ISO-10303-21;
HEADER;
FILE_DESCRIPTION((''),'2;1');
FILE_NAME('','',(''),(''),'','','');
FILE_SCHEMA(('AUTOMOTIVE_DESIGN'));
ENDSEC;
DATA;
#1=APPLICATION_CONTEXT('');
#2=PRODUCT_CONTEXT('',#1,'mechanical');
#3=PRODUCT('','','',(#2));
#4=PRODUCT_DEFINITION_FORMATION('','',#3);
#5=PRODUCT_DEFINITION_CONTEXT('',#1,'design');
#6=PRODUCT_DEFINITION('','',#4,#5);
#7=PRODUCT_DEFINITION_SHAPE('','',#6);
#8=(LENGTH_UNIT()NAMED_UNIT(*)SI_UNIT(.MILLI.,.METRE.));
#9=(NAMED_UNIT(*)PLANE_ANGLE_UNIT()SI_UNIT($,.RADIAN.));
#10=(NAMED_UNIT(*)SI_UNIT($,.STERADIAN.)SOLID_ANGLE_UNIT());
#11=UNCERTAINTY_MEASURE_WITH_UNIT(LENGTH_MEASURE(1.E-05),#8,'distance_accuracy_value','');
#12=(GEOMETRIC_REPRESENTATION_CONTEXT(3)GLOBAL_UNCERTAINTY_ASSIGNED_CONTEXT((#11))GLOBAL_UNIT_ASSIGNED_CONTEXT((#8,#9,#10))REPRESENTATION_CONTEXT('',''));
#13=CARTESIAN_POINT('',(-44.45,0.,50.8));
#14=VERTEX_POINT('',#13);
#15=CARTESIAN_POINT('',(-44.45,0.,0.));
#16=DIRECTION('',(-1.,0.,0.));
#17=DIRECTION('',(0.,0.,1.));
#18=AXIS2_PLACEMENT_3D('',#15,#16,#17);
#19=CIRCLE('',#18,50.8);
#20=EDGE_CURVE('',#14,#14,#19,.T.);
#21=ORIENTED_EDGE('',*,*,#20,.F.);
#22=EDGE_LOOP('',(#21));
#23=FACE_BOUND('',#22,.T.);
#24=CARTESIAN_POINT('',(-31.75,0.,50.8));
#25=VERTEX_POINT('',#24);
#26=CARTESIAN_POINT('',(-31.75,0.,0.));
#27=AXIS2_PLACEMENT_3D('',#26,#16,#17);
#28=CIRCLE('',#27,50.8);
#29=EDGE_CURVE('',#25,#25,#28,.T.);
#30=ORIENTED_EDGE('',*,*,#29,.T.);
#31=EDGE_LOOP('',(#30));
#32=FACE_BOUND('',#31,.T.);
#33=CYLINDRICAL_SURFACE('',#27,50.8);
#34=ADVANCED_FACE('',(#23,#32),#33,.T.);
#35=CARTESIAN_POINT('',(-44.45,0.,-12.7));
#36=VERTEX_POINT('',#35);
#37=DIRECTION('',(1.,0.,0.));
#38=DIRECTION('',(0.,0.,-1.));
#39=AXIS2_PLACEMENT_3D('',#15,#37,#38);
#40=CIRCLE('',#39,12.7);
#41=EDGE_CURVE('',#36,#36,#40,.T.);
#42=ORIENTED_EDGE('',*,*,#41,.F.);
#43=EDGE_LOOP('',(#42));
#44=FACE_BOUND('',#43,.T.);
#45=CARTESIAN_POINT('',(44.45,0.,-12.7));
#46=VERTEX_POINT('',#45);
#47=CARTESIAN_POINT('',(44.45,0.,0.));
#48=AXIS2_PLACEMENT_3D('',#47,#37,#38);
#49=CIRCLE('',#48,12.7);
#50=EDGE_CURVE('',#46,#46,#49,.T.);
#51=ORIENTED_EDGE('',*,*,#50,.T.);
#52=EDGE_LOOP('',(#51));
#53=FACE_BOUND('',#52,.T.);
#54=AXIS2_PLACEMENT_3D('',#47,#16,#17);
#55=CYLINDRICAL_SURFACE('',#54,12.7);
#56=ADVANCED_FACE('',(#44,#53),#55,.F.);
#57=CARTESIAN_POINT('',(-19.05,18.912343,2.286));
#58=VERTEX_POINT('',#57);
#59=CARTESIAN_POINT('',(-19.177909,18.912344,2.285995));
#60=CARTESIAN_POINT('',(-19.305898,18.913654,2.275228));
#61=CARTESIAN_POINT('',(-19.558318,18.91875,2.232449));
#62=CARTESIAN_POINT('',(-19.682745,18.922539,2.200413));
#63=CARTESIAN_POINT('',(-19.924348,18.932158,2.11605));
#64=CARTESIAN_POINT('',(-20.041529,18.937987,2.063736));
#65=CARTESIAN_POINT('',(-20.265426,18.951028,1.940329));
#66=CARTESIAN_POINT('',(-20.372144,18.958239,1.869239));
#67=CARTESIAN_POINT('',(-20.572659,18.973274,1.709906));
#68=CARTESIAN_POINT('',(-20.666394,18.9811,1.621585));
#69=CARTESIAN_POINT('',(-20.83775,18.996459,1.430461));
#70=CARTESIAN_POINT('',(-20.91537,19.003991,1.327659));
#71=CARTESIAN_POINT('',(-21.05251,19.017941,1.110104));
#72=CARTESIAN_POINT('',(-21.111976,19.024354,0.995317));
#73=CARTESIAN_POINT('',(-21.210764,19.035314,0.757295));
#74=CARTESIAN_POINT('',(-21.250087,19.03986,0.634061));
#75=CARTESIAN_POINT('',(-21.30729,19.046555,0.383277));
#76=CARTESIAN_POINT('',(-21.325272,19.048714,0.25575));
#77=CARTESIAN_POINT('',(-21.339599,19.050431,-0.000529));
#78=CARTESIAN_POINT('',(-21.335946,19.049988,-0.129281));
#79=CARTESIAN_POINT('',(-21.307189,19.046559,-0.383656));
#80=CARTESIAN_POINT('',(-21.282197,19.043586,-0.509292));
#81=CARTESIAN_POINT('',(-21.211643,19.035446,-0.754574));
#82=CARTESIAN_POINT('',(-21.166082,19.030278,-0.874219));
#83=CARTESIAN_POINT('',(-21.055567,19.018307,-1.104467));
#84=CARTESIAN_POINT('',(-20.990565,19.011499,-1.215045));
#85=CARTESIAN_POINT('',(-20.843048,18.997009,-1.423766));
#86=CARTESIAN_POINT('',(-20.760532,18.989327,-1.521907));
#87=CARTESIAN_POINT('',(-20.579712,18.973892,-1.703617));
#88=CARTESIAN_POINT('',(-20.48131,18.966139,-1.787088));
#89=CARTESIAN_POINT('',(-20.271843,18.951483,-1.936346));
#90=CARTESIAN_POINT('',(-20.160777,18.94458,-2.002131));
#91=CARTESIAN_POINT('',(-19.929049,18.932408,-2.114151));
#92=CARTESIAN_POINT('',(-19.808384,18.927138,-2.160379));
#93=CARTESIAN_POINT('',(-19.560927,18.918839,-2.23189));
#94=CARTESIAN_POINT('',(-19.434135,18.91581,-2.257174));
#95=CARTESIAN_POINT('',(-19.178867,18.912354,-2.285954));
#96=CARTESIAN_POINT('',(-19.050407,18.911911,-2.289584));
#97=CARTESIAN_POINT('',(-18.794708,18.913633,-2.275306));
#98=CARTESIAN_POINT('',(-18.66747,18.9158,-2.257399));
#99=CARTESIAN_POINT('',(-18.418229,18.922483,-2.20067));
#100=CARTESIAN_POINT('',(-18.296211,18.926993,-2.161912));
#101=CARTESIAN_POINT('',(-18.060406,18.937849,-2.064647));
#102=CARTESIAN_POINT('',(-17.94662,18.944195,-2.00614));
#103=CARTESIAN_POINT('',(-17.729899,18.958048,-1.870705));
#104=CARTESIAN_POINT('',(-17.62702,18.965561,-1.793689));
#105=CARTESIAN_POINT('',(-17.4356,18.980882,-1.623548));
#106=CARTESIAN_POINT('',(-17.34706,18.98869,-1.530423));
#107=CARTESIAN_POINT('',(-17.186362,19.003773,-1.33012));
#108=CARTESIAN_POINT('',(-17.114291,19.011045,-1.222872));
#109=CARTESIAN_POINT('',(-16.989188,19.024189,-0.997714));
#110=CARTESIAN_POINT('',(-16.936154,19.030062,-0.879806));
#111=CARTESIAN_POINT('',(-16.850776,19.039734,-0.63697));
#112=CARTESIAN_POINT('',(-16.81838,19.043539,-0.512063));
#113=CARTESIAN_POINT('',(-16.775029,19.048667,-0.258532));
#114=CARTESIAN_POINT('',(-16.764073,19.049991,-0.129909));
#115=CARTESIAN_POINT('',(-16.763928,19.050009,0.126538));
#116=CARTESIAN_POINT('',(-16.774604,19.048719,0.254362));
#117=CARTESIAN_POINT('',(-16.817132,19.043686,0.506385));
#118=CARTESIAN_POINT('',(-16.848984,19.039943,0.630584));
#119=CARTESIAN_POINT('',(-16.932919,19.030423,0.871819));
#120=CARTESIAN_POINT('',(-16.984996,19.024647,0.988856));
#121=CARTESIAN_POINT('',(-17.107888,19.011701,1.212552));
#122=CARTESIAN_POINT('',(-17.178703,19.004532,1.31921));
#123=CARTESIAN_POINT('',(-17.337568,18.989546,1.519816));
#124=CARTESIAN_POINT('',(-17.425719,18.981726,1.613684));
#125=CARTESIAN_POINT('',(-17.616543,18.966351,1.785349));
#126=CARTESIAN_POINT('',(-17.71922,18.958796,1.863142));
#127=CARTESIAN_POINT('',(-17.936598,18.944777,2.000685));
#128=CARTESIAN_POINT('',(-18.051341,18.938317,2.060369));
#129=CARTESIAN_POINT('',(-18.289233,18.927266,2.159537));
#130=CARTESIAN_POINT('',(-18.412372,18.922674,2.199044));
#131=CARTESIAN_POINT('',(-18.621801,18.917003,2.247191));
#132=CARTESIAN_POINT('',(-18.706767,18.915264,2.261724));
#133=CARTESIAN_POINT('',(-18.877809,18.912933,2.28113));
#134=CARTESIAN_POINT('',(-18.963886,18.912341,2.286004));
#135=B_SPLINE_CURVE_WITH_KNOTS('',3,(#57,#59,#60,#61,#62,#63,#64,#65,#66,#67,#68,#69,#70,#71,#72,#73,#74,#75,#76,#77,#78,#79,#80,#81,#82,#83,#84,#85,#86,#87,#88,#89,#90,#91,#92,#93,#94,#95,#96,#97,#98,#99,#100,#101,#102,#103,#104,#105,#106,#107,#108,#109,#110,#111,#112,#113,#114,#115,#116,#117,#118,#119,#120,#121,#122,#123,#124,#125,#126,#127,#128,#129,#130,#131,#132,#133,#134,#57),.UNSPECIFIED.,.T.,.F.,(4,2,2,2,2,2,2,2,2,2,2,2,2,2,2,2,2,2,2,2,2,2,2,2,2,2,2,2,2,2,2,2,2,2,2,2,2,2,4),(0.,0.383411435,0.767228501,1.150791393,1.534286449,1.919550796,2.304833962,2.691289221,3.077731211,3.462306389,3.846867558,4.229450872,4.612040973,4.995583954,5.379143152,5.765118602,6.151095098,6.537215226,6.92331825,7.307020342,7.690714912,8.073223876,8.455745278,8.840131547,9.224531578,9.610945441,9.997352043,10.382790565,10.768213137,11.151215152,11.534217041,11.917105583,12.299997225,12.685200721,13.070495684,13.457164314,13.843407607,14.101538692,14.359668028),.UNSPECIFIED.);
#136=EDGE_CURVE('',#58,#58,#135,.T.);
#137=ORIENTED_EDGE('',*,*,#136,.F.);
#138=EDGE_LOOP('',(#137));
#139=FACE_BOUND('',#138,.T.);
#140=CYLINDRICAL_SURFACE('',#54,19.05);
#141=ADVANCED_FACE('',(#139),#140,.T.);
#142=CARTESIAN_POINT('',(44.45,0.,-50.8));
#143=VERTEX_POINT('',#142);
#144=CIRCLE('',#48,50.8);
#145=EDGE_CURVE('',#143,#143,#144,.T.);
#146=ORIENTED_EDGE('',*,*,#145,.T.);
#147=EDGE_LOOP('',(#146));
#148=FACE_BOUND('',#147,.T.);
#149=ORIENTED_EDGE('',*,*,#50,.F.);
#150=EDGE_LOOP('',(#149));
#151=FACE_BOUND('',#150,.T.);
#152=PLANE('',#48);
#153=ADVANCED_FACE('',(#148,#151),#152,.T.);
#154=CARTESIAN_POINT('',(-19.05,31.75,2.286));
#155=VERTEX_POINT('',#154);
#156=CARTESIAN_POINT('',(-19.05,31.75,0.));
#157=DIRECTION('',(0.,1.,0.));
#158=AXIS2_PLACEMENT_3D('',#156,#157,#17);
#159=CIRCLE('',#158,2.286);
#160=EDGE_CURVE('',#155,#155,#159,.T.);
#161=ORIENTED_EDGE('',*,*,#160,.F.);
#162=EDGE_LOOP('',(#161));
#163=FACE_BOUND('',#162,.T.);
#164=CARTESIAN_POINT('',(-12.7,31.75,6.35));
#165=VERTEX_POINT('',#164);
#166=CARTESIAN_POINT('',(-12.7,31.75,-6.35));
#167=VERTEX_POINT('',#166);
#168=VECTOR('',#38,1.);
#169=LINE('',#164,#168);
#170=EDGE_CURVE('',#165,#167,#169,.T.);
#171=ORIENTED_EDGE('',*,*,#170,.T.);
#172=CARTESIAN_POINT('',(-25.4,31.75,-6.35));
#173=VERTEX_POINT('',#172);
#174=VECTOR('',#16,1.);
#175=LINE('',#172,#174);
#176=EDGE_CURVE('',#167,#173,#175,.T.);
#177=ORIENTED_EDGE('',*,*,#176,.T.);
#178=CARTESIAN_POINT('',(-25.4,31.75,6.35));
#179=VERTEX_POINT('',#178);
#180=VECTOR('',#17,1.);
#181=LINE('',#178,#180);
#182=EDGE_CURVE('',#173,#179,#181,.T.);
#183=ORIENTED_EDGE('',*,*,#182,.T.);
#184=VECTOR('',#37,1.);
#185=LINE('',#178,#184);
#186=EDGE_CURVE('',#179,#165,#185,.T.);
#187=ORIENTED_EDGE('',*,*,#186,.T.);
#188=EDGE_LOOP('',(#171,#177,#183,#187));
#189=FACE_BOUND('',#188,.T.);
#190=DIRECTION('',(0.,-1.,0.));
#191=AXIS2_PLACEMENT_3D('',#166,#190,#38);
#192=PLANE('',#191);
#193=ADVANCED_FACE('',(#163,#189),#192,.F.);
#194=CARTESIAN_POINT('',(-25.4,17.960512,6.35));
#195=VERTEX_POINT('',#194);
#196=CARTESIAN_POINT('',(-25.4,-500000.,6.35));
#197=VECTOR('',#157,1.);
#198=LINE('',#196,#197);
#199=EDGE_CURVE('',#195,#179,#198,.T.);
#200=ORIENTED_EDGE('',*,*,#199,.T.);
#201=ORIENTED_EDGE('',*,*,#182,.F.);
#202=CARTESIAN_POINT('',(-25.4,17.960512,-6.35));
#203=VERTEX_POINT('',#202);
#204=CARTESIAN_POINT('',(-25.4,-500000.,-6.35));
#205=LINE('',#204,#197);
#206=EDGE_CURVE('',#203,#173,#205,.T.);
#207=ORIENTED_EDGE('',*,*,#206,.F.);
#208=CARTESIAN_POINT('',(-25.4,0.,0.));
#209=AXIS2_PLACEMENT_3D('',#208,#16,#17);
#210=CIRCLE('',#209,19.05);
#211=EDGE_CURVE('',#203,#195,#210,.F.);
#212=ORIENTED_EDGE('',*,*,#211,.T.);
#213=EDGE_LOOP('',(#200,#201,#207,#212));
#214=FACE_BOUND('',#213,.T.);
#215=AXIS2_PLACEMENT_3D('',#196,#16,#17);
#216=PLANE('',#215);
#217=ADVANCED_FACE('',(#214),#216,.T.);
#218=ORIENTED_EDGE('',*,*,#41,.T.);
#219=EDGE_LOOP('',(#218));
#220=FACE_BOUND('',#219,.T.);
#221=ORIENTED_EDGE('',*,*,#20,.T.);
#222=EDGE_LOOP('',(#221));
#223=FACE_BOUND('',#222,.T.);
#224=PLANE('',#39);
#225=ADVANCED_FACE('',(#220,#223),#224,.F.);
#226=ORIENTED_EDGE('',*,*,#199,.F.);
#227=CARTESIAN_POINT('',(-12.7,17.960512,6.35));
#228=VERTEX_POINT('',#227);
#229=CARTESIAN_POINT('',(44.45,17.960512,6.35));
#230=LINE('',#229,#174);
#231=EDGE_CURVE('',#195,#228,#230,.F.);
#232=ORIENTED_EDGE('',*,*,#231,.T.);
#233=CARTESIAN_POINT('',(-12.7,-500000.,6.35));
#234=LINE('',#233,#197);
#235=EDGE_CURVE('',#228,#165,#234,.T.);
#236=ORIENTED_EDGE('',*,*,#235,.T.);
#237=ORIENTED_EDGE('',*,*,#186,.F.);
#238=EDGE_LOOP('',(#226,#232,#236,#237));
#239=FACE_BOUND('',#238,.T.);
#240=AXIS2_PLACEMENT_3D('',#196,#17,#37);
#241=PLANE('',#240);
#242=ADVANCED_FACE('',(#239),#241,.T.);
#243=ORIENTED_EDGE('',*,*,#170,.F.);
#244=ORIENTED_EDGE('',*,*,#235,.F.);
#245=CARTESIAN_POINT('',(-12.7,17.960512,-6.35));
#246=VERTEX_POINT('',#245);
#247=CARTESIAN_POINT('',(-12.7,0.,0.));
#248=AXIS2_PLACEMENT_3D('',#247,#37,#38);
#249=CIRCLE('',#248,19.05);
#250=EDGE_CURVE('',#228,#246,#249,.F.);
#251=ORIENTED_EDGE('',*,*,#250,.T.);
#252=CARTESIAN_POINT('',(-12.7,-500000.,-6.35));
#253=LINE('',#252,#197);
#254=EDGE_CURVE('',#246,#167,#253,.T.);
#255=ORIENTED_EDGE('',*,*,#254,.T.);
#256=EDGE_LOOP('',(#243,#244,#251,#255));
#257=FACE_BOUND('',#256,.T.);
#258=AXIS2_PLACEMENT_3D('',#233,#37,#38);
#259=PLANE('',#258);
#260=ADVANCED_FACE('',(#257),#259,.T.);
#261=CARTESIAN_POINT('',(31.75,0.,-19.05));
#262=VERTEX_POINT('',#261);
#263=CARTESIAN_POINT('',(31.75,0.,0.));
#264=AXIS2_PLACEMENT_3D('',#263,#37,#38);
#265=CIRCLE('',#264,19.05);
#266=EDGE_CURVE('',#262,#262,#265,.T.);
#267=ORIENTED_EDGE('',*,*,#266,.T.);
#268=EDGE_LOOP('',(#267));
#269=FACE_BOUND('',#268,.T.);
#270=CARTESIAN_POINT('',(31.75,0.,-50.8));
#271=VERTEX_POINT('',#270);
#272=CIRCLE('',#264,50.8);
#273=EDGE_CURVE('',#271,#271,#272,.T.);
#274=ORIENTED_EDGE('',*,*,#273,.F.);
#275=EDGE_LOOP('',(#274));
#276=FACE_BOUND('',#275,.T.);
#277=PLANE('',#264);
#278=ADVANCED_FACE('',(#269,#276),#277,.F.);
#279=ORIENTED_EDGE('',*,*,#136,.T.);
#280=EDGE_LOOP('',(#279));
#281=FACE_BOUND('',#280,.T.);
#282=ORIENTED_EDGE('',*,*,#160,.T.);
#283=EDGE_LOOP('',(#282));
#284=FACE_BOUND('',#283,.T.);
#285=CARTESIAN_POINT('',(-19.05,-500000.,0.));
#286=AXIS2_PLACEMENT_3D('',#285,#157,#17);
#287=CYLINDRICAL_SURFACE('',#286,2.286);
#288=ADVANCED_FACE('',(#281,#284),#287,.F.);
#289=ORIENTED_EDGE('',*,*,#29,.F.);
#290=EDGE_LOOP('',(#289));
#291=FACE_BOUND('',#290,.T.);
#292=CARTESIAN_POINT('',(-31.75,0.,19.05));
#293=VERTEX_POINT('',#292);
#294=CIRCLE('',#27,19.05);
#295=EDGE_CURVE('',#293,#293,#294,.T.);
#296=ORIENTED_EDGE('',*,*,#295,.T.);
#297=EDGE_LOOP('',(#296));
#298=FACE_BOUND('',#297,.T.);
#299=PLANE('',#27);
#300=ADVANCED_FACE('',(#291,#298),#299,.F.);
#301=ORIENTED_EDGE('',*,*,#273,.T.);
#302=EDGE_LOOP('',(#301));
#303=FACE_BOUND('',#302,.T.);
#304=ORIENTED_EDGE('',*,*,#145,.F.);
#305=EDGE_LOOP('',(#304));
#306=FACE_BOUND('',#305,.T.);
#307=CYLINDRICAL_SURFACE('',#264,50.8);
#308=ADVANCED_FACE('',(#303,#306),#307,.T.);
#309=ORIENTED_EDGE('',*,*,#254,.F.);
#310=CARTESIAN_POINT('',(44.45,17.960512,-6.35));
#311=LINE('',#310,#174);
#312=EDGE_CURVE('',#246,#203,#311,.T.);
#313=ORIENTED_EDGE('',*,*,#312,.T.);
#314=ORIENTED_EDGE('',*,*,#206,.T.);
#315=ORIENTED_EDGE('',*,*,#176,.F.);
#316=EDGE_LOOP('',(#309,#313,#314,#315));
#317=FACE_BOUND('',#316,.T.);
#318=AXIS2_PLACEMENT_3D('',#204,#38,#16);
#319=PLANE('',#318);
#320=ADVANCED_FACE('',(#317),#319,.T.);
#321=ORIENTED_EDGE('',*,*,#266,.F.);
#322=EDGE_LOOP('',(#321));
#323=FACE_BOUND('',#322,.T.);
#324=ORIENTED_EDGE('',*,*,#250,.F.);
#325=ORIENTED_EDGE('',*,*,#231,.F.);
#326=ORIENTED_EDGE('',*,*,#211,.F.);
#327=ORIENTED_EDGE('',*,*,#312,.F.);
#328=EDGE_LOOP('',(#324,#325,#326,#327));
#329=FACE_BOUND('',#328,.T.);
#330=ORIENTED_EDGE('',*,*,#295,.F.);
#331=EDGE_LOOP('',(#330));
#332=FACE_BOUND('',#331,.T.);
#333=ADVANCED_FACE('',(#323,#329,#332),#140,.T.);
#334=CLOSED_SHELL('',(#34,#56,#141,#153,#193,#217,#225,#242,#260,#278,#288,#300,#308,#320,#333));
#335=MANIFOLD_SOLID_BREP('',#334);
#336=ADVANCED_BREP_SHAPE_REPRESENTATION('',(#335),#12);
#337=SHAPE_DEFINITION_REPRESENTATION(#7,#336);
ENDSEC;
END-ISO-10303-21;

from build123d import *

# Parameters (mm, degrees)
SKETCH1_R                = 19.05
SKETCH1_R_2              = 12.7
BOSS_EXTRUDE1_DEPTH      = 44.45
BOSS_EXTRUDE2_START      = -12.7
SKETCH2_R                = 50.8
SKETCH2_R_2              = 12.7
BOSS_EXTRUDE2_DEPTH      = 12.7
SKETCH3_R                = 50.8
SKETCH3_R_2              = 12.7
BOSS_EXTRUDE3_DEPTH      = 12.7
BOSS_EXTRUDE4_REACH      = 118.231
BOSS_EXTRUDE4_END_RADIUS = 19.05
BOSS_EXTRUDE4_START      = 31.75
SKETCH4_W                = 12.7
SKETCH4_H                = 12.7
SKETCH4_R                = 2.286


with BuildPart() as part:
    # Sketch1 → Boss-Extrude1 (new, symmetric)
    with BuildSketch(Plane(origin=(0, 0, 0), x_dir=(0, 0, -1), z_dir=(1, 0, 0))):
        Circle(SKETCH1_R)
        Circle(SKETCH1_R_2, mode=Mode.SUBTRACT)
    extrude(amount=BOSS_EXTRUDE1_DEPTH, both=True)

    # Sketch2 → Boss-Extrude2 (add)
    with BuildSketch(Plane(origin=(44.45, 0, 0), x_dir=(0, 0, -1), z_dir=(1, 0, 0)).offset(BOSS_EXTRUDE2_START)):
        Circle(SKETCH2_R)
        Circle(SKETCH2_R_2, mode=Mode.SUBTRACT)
    extrude(amount=BOSS_EXTRUDE2_DEPTH)

    # Sketch3 → Boss-Extrude3 (add)
    with BuildSketch(Plane.ZY.offset(44.45)):
        with Locations(Location((0, 0, 0), (0, 0, 180))):
            Circle(SKETCH3_R)
        with Locations(Location((0, 0, 0), (0, 0, 180))):
            Circle(SKETCH3_R_2, mode=Mode.SUBTRACT)
    extrude(amount=-BOSS_EXTRUDE3_DEPTH)

    # Boss-Extrude4: up to this cylinder (the profile starts outside it)
    boss_extrude4_end = Plane(origin=(-19.05, 0, 0), z_dir=(-1, 0, 0)) * Cylinder(BOSS_EXTRUDE4_END_RADIUS, 275.562, mode=Mode.PRIVATE)
    # Sketch4 → Boss-Extrude4 (add, up to the surface)
    with BuildSketch(Plane(origin=(0, 0, 0), x_dir=(1, 0, 0), z_dir=(0, 1, 0)).offset(BOSS_EXTRUDE4_START), mode=Mode.PRIVATE) as boss_extrude4_sk1:
        with Locations((-19.05, 0)):
            Rectangle(SKETCH4_W, SKETCH4_H)
        with Locations(Location((-19.05, 0, 0), (0, 0, 270))):
            Circle(SKETCH4_R, mode=Mode.SUBTRACT)
    boss_extrude4_tool1 = extrude(boss_extrude4_sk1.sketch, amount=-BOSS_EXTRUDE4_REACH, mode=Mode.PRIVATE) - boss_extrude4_end
    add(boss_extrude4_tool1.solids().sort_by_distance((-19.05, 31.75, 6.170395))[0])


solid = part.part
